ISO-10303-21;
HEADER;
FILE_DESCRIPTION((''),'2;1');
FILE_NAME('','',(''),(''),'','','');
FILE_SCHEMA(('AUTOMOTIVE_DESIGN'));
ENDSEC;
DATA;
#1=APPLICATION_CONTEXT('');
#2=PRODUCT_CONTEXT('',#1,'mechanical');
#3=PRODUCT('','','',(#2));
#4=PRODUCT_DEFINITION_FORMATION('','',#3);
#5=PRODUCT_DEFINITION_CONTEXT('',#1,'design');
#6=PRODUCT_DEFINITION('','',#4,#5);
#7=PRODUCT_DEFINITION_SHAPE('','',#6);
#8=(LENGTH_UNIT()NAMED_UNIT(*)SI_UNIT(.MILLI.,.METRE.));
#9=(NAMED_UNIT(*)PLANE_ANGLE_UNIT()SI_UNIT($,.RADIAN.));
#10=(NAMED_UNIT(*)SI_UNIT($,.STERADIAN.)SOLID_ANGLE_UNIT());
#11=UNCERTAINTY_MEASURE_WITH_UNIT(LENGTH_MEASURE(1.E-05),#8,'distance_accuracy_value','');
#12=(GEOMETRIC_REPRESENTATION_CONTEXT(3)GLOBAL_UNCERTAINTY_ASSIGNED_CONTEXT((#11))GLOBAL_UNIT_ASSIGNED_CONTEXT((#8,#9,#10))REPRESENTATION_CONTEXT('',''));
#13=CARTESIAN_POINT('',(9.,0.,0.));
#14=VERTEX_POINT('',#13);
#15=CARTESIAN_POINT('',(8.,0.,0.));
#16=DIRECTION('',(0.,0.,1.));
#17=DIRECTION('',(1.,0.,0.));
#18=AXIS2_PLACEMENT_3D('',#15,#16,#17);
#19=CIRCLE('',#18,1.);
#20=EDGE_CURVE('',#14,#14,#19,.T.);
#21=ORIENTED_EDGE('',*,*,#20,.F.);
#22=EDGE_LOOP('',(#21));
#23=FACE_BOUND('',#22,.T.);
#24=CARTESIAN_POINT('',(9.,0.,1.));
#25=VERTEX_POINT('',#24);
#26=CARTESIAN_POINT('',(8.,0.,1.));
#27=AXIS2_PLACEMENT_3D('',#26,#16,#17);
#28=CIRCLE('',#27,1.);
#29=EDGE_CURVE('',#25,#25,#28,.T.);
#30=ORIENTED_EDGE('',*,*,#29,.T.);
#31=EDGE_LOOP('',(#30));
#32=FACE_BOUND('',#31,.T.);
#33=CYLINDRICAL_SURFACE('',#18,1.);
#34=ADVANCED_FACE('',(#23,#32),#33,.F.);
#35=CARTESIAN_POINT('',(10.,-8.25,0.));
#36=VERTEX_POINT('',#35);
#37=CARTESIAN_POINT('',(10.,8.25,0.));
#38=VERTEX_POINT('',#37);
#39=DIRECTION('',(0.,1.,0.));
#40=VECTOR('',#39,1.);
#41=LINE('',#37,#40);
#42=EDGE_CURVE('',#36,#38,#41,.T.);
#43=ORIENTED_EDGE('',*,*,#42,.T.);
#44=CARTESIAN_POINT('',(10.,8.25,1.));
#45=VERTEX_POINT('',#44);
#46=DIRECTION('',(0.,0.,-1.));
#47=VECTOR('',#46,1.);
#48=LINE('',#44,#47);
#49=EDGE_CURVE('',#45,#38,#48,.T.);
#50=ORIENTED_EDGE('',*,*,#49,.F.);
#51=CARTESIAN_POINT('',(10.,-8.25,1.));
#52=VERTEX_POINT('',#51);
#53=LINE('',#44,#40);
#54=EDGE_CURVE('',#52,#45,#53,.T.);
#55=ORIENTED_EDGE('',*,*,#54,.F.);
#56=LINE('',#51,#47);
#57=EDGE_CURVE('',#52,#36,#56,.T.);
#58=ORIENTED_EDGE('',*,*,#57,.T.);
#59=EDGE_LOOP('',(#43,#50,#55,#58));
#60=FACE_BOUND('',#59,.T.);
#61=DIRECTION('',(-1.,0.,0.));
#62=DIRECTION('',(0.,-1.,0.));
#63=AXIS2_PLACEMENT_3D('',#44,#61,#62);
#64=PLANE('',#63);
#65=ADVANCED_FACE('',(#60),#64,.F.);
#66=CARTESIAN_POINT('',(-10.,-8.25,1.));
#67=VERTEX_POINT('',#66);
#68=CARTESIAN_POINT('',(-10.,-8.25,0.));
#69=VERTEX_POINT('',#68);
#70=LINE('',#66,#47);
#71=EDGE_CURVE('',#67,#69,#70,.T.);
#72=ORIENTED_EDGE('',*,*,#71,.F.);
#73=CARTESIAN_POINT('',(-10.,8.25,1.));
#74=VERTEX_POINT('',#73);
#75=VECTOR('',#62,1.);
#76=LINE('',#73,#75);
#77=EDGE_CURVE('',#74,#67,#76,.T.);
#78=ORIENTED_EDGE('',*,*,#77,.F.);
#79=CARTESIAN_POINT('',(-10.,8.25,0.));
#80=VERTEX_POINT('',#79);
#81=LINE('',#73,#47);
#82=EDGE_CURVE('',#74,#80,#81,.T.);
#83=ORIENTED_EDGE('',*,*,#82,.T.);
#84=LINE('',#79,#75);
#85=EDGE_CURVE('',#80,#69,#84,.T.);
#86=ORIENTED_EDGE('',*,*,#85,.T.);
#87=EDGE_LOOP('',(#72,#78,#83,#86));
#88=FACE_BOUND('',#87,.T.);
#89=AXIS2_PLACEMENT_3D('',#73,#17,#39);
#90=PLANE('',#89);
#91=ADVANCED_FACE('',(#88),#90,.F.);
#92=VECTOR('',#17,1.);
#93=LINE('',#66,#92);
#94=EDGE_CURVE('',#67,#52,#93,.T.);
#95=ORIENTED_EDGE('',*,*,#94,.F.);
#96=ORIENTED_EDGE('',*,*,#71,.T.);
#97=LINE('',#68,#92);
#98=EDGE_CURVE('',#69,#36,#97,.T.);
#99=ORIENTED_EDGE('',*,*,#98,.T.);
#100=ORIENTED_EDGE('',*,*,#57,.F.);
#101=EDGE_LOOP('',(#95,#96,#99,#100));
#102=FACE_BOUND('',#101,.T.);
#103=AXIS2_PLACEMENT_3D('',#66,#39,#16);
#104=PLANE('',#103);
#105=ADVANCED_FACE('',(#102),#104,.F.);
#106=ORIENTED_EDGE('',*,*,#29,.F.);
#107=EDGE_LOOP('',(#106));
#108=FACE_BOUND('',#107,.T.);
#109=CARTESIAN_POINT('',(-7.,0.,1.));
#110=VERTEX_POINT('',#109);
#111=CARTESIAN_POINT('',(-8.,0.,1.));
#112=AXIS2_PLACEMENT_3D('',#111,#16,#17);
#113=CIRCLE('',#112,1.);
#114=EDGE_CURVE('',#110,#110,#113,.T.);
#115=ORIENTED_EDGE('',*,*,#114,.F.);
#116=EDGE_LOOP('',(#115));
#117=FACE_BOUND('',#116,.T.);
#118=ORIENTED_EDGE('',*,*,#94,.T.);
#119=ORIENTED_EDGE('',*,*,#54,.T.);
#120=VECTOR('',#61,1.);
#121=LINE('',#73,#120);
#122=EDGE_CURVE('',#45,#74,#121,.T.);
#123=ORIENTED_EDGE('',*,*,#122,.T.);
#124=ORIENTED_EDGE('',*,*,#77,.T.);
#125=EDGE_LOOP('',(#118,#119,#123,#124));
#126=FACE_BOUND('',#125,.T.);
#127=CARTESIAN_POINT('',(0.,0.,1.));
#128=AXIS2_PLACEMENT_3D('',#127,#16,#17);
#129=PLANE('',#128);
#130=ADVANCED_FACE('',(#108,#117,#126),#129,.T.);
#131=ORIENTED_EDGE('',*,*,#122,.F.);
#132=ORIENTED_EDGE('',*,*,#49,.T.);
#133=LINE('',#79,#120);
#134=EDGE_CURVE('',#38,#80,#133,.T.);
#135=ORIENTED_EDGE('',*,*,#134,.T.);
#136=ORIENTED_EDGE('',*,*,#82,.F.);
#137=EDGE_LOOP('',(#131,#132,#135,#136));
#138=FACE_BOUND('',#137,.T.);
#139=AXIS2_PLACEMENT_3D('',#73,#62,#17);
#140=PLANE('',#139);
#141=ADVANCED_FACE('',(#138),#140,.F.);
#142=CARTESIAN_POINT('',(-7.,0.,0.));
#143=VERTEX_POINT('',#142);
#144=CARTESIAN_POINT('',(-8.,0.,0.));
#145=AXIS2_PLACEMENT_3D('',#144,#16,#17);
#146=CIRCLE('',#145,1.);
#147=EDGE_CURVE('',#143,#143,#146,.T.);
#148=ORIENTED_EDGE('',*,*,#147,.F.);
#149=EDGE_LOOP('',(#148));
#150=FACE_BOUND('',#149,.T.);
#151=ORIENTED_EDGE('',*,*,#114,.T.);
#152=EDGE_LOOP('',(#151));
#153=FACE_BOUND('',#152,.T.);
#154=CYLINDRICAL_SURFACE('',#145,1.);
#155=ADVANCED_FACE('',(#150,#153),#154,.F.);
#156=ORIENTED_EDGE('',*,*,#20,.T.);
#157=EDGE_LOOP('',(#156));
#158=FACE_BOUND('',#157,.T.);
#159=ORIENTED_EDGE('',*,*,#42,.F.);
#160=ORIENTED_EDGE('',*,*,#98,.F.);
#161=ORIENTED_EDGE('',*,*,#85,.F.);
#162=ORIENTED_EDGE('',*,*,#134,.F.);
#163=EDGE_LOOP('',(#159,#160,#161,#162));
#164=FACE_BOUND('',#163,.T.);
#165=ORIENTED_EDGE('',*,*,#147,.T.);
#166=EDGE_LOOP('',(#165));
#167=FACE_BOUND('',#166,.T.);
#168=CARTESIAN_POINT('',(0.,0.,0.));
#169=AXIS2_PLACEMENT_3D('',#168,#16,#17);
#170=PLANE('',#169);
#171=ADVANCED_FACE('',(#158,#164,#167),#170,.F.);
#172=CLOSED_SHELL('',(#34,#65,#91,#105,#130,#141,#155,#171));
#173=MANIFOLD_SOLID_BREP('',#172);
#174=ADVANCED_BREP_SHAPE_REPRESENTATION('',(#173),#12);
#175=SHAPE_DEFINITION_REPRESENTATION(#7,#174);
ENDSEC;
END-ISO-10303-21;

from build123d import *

# Parameters (mm, degrees)
SKIZZE1_W                       = 20
SKIZZE1_H                       = 16.5
AUFSATZ_LINEAR_AUSTRAGEN1_DEPTH = 1
SKIZZE2_R                       = 1
SCHNITT_LINEAR_AUSTRAGEN1_DEPTH = 2


with BuildPart() as part:
    # Skizze1 → Aufsatz-Linear austragen1 (new body)
    with BuildSketch(Plane.XY):
        Rectangle(SKIZZE1_W, SKIZZE1_H)
    extrude(amount=AUFSATZ_LINEAR_AUSTRAGEN1_DEPTH)

    # Skizze2 → Schnitt-Linear austragen1 (cut, through all)
    with BuildSketch(Plane.XY.offset(1)):
        with Locations((-8, 0)):
            Circle(SKIZZE2_R)
        with Locations((8, 0)):
            Circle(SKIZZE2_R)
    extrude(amount=-SCHNITT_LINEAR_AUSTRAGEN1_DEPTH, mode=Mode.SUBTRACT)


solid = part.part
